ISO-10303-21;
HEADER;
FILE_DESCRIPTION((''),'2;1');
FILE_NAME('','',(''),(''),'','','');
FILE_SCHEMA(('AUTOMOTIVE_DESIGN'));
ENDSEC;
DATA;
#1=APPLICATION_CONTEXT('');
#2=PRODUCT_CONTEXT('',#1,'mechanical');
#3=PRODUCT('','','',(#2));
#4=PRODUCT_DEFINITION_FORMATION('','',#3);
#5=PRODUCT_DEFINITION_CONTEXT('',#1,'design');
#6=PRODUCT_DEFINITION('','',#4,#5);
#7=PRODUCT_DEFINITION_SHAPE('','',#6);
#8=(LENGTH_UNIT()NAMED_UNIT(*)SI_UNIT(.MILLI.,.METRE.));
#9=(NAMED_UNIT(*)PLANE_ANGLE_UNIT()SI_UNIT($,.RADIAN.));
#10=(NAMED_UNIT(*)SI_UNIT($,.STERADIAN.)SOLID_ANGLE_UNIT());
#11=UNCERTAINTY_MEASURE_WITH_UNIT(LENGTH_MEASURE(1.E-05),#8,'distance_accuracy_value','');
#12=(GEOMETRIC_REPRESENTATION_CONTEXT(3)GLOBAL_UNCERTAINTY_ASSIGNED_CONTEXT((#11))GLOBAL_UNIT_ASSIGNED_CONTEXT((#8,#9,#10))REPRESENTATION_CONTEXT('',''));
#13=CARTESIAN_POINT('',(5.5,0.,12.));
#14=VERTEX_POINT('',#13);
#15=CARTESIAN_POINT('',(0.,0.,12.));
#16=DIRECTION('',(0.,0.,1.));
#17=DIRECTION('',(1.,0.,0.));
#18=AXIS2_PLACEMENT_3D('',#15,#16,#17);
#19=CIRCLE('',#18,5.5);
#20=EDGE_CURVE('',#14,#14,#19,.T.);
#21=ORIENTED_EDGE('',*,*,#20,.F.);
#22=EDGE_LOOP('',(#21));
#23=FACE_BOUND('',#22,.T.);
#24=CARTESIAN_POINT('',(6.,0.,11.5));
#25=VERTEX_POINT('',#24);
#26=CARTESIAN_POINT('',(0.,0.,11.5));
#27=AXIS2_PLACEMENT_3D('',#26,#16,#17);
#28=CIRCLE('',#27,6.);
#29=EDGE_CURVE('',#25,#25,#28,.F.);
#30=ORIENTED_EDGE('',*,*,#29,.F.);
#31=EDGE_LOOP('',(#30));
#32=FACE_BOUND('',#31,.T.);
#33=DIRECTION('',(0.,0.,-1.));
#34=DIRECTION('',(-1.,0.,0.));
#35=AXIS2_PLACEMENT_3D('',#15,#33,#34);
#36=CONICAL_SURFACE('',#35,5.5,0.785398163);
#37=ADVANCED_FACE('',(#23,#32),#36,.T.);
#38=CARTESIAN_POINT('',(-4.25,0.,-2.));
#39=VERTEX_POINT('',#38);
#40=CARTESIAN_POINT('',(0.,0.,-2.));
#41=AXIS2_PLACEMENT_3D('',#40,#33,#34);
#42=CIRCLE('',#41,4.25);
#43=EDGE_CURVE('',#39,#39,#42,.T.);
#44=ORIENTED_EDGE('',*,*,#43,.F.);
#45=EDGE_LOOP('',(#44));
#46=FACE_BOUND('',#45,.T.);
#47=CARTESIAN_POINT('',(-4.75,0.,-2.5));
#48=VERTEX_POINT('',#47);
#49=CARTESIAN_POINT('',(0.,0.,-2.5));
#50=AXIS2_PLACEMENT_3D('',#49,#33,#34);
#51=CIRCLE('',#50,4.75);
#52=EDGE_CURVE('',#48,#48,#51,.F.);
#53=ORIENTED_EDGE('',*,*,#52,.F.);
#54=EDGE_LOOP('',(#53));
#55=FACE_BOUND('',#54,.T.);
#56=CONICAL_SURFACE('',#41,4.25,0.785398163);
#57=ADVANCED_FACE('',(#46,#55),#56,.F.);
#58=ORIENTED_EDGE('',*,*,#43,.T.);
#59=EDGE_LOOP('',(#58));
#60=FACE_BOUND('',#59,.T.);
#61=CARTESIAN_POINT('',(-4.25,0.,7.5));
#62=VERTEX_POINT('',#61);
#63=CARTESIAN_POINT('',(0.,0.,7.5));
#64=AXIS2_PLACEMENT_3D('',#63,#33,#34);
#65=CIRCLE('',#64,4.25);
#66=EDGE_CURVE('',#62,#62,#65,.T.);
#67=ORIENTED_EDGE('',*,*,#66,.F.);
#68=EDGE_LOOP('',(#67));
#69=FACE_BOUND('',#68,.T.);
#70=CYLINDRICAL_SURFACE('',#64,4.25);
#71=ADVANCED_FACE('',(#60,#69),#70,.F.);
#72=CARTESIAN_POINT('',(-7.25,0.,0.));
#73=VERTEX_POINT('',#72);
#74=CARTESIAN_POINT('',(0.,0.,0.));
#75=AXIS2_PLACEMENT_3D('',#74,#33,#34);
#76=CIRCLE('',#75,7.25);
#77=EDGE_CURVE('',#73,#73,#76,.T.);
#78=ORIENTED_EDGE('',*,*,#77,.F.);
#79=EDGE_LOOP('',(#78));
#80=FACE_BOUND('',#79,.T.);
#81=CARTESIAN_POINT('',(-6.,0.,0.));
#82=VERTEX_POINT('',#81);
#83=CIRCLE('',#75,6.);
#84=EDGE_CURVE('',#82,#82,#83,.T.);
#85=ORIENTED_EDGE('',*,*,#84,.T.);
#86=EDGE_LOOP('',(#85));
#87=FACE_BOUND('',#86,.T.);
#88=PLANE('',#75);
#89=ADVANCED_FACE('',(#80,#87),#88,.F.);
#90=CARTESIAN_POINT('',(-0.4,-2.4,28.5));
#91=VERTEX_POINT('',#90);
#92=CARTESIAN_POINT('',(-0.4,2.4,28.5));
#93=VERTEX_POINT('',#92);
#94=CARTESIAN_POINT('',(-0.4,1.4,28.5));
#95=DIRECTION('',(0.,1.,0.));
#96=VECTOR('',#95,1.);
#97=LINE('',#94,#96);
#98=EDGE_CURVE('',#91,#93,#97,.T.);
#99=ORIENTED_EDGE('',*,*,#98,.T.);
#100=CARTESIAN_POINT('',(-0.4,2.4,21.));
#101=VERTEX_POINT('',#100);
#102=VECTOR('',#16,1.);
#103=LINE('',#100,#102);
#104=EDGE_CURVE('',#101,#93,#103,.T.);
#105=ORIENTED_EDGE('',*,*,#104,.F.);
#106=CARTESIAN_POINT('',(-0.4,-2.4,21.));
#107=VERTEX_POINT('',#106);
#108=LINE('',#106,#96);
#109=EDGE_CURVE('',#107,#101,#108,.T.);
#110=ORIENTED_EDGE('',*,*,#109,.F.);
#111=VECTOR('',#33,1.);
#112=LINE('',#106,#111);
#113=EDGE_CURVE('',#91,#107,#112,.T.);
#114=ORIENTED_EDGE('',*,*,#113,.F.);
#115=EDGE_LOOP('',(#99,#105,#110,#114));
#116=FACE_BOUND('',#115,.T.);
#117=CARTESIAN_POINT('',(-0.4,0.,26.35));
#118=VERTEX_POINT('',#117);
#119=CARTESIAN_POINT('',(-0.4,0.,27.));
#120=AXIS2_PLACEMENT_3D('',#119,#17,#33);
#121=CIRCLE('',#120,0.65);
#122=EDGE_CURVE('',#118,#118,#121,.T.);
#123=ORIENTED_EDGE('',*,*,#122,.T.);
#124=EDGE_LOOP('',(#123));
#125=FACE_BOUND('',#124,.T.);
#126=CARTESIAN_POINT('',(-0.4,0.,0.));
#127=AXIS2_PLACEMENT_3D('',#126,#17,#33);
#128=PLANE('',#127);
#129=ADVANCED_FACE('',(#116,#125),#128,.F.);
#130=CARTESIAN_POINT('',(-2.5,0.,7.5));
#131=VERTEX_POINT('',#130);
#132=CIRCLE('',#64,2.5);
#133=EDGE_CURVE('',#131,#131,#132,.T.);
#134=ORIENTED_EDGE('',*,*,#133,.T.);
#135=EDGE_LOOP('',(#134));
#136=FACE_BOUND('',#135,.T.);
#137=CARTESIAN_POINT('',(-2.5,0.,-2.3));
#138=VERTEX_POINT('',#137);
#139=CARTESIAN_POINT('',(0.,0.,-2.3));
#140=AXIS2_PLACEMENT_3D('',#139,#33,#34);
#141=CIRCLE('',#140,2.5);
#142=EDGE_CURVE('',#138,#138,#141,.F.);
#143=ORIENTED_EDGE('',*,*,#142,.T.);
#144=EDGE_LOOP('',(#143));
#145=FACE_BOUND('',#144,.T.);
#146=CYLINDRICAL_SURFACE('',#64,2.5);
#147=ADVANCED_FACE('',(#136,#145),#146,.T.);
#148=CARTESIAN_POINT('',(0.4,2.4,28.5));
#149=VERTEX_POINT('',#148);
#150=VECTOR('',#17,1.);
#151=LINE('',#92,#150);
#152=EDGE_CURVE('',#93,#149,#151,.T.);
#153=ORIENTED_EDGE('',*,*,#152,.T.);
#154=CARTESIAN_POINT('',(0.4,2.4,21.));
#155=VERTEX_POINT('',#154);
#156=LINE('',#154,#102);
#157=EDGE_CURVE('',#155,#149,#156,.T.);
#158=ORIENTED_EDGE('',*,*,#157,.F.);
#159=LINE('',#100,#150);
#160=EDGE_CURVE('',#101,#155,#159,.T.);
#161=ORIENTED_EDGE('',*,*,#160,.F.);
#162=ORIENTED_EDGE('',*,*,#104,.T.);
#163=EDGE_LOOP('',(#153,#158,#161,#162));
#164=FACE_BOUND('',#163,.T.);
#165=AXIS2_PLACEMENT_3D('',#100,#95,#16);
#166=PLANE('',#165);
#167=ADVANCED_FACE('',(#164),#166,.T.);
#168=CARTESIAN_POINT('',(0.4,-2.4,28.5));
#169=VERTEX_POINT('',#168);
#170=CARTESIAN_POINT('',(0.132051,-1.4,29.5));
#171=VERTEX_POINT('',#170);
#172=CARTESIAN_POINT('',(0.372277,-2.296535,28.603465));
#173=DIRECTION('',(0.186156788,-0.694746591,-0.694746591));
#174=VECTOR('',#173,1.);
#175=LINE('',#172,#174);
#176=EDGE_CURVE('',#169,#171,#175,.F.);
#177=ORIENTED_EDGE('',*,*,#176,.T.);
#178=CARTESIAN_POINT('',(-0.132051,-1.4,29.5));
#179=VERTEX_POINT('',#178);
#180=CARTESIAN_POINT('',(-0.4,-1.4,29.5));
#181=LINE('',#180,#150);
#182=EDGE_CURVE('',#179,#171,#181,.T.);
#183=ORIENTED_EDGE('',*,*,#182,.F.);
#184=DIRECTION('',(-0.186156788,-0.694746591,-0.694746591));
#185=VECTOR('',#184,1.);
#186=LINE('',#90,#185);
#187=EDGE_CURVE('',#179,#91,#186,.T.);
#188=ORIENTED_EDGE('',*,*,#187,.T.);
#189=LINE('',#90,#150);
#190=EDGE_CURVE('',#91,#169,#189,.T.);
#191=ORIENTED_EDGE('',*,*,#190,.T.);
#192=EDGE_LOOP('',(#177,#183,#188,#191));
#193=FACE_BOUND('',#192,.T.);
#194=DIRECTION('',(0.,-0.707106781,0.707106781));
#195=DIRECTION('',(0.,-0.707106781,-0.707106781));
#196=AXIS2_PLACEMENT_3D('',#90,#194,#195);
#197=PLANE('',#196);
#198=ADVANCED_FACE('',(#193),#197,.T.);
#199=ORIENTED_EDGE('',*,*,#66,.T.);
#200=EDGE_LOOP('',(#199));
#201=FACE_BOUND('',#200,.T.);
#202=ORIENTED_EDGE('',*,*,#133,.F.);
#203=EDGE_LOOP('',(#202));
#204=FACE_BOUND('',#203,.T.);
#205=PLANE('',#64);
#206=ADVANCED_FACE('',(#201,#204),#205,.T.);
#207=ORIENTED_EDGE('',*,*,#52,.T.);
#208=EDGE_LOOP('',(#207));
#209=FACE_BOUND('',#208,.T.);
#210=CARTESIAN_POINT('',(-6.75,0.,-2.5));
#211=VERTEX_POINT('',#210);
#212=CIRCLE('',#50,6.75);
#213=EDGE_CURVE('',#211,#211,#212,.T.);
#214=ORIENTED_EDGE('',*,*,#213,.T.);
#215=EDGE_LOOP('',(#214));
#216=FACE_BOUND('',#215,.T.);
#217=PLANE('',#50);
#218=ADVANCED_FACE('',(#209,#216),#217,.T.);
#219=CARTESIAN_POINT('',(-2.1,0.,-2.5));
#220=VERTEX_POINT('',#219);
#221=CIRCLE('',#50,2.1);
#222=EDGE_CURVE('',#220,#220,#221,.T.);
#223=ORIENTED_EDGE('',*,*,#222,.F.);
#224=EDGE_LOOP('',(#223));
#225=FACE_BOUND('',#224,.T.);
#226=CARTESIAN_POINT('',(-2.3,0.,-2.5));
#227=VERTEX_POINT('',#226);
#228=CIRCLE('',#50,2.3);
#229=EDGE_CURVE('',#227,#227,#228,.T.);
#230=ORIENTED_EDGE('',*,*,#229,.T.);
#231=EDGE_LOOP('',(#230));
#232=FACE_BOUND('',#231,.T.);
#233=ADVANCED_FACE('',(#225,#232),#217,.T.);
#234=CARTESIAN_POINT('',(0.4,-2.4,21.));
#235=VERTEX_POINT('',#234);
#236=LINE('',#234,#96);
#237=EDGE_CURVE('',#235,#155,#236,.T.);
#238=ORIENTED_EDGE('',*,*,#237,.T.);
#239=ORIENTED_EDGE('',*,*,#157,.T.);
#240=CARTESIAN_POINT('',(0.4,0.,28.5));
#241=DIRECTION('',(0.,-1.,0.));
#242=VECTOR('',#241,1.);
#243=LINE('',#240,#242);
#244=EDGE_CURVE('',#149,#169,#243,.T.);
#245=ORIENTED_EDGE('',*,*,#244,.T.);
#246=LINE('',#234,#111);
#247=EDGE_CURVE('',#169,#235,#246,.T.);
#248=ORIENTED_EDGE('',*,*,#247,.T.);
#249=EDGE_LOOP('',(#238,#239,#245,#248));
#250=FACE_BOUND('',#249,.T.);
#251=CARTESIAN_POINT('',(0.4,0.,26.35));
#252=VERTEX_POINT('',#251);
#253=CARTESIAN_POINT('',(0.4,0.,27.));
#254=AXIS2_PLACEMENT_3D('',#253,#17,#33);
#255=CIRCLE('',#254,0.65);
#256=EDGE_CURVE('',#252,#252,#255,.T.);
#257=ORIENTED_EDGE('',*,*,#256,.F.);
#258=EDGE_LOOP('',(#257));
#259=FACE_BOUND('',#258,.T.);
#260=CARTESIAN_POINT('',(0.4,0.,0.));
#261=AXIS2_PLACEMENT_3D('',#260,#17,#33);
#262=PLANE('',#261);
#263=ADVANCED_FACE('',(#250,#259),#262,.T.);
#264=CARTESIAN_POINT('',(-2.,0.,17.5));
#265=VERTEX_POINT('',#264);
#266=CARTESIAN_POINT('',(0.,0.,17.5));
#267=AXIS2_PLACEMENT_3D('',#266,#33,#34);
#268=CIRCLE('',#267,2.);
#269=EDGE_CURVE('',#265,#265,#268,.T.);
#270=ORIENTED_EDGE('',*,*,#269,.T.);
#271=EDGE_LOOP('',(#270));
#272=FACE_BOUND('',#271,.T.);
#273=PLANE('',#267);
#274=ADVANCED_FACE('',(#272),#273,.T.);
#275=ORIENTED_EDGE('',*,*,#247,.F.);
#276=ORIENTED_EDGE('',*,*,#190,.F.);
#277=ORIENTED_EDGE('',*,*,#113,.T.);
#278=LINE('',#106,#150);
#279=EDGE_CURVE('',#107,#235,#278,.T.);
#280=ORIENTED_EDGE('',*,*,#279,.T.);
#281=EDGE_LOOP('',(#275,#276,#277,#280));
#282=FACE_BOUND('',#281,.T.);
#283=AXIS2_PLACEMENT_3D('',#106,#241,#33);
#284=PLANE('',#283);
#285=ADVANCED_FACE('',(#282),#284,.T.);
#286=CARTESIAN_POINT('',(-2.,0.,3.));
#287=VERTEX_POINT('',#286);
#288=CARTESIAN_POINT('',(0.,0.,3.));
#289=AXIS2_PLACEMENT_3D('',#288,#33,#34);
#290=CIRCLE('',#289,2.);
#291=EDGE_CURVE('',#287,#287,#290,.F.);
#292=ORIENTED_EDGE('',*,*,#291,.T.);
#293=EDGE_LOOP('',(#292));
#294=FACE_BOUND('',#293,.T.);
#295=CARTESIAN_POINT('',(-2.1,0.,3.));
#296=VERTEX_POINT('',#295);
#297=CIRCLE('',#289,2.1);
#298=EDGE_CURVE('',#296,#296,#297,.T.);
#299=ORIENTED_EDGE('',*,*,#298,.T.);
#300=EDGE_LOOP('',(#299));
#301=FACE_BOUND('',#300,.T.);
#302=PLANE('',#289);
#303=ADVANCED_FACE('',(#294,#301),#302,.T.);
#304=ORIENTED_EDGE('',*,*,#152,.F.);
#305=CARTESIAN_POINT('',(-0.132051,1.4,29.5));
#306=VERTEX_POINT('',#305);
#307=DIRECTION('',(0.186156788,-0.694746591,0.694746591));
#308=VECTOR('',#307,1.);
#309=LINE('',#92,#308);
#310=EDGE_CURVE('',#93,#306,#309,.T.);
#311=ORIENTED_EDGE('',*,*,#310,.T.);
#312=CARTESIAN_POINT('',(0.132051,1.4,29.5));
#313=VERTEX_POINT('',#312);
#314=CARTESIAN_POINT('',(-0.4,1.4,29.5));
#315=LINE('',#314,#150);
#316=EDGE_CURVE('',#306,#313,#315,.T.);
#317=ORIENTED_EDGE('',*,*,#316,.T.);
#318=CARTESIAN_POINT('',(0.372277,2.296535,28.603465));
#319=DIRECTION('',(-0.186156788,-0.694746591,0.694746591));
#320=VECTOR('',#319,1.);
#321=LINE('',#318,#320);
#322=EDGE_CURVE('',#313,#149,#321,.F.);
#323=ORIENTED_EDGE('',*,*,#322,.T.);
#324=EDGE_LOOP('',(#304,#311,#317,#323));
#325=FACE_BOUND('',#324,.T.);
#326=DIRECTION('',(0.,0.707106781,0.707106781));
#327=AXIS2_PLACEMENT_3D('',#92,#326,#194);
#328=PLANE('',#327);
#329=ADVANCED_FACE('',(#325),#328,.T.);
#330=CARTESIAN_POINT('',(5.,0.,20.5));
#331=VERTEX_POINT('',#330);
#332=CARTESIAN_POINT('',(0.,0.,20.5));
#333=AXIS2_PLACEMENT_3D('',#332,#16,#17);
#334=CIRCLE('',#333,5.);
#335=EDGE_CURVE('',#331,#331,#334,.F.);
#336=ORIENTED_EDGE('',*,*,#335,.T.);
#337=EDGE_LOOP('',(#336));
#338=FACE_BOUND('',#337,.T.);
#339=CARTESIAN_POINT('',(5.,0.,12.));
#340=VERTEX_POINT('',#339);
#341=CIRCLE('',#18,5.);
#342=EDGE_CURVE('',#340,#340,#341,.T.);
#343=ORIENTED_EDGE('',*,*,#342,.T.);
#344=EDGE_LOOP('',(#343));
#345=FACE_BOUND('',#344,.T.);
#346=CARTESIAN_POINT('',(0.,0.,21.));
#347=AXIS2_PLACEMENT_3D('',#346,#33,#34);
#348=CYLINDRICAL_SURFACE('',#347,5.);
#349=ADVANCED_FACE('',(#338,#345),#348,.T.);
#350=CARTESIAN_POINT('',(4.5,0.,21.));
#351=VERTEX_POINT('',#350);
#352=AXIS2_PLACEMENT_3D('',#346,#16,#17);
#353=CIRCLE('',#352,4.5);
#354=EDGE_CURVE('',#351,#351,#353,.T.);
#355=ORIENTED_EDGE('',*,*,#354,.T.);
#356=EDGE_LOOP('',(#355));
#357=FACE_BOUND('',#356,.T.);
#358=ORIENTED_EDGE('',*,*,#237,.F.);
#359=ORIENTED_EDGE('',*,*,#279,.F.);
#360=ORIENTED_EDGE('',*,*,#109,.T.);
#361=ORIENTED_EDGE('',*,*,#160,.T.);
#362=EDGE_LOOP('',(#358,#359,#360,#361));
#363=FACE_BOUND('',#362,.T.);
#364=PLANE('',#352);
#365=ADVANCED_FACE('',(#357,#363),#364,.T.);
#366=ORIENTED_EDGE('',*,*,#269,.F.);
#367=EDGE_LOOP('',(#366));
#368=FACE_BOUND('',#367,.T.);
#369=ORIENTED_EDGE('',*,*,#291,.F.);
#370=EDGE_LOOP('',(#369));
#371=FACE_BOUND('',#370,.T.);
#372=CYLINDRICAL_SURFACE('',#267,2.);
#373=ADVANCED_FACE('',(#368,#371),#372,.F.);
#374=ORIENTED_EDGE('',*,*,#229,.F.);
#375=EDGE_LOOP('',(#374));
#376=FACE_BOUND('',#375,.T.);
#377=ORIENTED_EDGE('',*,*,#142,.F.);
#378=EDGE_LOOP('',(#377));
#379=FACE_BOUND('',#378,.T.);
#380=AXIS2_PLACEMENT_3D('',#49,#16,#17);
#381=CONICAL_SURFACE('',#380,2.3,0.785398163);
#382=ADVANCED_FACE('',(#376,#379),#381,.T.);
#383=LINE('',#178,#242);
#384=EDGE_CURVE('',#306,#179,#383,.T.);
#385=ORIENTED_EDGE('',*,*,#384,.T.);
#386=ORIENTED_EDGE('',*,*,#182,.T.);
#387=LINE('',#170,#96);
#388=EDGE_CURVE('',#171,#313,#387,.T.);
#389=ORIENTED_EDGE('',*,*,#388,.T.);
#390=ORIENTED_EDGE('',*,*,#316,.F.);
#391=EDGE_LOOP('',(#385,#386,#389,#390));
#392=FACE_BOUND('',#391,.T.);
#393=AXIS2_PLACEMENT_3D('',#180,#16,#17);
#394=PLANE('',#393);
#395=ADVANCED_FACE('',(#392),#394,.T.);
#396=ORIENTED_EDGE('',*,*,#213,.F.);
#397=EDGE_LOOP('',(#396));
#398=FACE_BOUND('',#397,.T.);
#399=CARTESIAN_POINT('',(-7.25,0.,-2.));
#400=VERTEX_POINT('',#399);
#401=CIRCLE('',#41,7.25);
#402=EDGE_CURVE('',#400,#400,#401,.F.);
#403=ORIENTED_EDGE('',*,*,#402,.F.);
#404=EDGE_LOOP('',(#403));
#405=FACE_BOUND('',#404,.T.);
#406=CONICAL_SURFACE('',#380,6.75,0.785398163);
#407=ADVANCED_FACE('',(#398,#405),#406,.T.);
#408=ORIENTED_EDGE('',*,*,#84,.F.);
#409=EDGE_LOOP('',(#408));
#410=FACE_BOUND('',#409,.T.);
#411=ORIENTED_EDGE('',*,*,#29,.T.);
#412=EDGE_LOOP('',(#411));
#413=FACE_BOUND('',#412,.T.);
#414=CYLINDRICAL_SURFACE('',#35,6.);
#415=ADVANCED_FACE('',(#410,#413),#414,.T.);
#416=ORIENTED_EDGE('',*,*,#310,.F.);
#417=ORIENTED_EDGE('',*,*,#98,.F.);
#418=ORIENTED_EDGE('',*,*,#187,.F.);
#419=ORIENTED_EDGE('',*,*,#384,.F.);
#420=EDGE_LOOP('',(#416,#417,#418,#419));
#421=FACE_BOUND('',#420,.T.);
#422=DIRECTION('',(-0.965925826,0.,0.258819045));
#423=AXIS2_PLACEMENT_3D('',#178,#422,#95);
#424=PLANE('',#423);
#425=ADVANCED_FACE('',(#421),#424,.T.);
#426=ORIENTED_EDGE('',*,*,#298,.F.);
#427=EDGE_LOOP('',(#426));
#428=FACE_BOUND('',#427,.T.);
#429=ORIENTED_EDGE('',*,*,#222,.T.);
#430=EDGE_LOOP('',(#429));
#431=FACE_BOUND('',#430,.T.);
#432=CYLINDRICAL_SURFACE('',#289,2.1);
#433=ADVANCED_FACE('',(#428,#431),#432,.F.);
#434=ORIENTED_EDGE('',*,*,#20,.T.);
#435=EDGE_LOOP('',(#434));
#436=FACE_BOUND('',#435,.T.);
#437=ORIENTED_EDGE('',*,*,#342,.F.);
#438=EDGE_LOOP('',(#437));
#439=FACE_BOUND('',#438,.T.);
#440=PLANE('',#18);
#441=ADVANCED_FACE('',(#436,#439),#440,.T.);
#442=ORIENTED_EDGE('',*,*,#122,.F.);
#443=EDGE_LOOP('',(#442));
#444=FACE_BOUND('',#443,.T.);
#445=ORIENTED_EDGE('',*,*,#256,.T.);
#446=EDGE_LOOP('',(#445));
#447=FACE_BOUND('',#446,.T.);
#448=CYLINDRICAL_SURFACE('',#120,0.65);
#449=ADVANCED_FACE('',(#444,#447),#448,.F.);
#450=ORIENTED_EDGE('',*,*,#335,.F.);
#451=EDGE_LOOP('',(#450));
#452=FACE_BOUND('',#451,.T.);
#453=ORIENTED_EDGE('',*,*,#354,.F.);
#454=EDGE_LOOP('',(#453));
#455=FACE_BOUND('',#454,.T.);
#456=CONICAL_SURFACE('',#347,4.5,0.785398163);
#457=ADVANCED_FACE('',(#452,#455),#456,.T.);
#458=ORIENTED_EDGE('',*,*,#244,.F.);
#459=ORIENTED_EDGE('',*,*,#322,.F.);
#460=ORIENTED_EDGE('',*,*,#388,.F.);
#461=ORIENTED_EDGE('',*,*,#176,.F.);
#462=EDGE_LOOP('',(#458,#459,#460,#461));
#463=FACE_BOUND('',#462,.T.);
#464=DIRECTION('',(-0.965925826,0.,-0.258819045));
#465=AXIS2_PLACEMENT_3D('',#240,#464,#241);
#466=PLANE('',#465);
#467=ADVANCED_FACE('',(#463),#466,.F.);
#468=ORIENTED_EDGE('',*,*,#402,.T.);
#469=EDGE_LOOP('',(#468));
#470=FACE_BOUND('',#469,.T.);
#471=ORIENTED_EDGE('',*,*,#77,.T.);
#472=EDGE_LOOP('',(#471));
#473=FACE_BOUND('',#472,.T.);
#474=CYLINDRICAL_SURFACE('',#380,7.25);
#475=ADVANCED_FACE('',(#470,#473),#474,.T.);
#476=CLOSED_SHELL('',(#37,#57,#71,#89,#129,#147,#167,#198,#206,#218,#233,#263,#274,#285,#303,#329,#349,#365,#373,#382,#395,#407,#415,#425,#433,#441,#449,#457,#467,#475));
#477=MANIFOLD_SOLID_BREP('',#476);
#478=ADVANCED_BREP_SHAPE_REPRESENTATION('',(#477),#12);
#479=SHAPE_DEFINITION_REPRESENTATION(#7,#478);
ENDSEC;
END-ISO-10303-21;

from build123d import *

# Parameters (mm, degrees)
ESQUISSE1_R             = 6
BOSS_EXTRU_1_DEPTH      = 12
ESQUISSE2_R             = 5
BOSS_EXTRU_2_DEPTH      = 9
ESQUISSE3_R             = 7.25
BOSS_EXTRU_3_DEPTH      = 2.5
ESQUISSE4_R             = 2
ENL_V_MAT_EXTRU_1_DEPTH = 20
ESQUISSE9_R             = 2.1
ENL_V_MAT_EXTRU_4_DEPTH = 5.5
ESQUISSE6_R             = 4.25
ESQUISSE6_R_2           = 2.5
ENL_V_MAT_EXTRU_2_DEPTH = 10
CHANFREIN1_SIZE         = 0.5
CHANFREIN2_SIZE         = 0.2
BOSS_EXTRU_4_DEPTH      = 0.4
BOSS_EXTRU_4_DEPTH_BACK = 0.4
ESQUISSE8_R             = 0.65
CHANFREIN3_SIZE         = 1
CHANFREIN3_SIZE2        = 0.267949192
CHANFREIN4_SIZE         = 1
CHANFREIN4_SIZE2        = 0.267949192


with BuildPart() as part:
    # Esquisse1 → Boss.-Extru.1 (new body)
    with BuildSketch(Plane.XY):
        Circle(ESQUISSE1_R)
    extrude(amount=BOSS_EXTRU_1_DEPTH)

    # Esquisse2 → Boss.-Extru.2 (add)
    with BuildSketch(Plane.XY.offset(12)):
        Circle(ESQUISSE2_R)
    extrude(amount=BOSS_EXTRU_2_DEPTH)

    # Esquisse3 → Boss.-Extru.3 (add)
    with BuildSketch(Plane(origin=(0, 0, 0), x_dir=(-1, 0, 0), z_dir=(0, 0, -1))):
        Circle(ESQUISSE3_R)
    extrude(amount=BOSS_EXTRU_3_DEPTH)

    # Esquisse4 → Enlèv. mat.-Extru.1 (cut)
    with BuildSketch(Plane(origin=(0, 0, -2.5), x_dir=(-1, 0, 0), z_dir=(0, 0, -1))):
        Circle(ESQUISSE4_R)
    extrude(amount=-ENL_V_MAT_EXTRU_1_DEPTH, mode=Mode.SUBTRACT)

    # Esquisse9 → Enlèv. mat.-Extru.4 (cut)
    with BuildSketch(Plane(origin=(0, 0, -2.5), x_dir=(-1, 0, 0), z_dir=(0, 0, -1))):
        Circle(ESQUISSE9_R)
    extrude(amount=-ENL_V_MAT_EXTRU_4_DEPTH, mode=Mode.SUBTRACT)

    # Esquisse6 → Enlèv. mat.-Extru.2 (cut)
    with BuildSketch(Plane(origin=(0, 0, -2.5), x_dir=(-1, 0, 0), z_dir=(0, 0, -1))):
        Circle(ESQUISSE6_R)
        Circle(ESQUISSE6_R_2, mode=Mode.SUBTRACT)
    extrude(amount=-ENL_V_MAT_EXTRU_2_DEPTH, mode=Mode.SUBTRACT)

    # Chanfrein1
    chanfrein1_edges = [part.edges().sort_by_distance(p)[0] for p in [
        (4.25, 0, -2.5),
        (-6, 0, 12),
        (-5, 0, 21),
        (7.25, 0, -2.5),
    ]]
    chamfer(chanfrein1_edges, length=CHANFREIN1_SIZE)

    # Chanfrein2
    chanfrein2_edges = [part.edges().sort_by_distance(p)[0] for p in [
        (2.5, 0, -2.5),
    ]]
    chamfer(chanfrein2_edges, length=CHANFREIN2_SIZE)

    # Esquisse8 → Boss.-Extru.4 (add, two sides: drawn at the far end of the back side and taken through both)
    with BuildSketch(Plane(origin=(0, 0, 0), x_dir=(0, 0, -1), z_dir=(1, 0, 0)).offset(-BOSS_EXTRU_4_DEPTH_BACK)):
        Polygon((-21, -2.4), (-28.5, -2.4), (-29.5, -1.4), (-29.5, 1.4), (-28.5, 2.4), (-21, 2.4), align=None)
        with Locations((-27, 0)):
            Circle(ESQUISSE8_R, mode=Mode.SUBTRACT)
    extrude(amount=BOSS_EXTRU_4_DEPTH + BOSS_EXTRU_4_DEPTH_BACK)

    # Chanfrein3
    chanfrein3_edges = [part.edges().sort_by_distance(p)[0] for p in [
        (0.4, 0, 29.5),
    ]]
    chanfrein3_side = [part.faces().sort_by_distance(p)[0] for p in [
        (0.4, 0, 25.087820443),
    ]]
    chamfer(chanfrein3_edges, length=CHANFREIN3_SIZE, length2=CHANFREIN3_SIZE2, reference=chanfrein3_side[0])

    # Chanfrein4
    chanfrein4_edges = [part.edges().sort_by_distance(p)[0] for p in [
        (-0.4, 0, 29.5),
    ]]
    chanfrein4_side = [part.faces().sort_by_distance(p)[0] for p in [
        (-0.4, 0, 25.087820443),
    ]]
    chamfer(chanfrein4_edges, length=CHANFREIN4_SIZE, length2=CHANFREIN4_SIZE2, reference=chanfrein4_side[0])


solid = part.part
